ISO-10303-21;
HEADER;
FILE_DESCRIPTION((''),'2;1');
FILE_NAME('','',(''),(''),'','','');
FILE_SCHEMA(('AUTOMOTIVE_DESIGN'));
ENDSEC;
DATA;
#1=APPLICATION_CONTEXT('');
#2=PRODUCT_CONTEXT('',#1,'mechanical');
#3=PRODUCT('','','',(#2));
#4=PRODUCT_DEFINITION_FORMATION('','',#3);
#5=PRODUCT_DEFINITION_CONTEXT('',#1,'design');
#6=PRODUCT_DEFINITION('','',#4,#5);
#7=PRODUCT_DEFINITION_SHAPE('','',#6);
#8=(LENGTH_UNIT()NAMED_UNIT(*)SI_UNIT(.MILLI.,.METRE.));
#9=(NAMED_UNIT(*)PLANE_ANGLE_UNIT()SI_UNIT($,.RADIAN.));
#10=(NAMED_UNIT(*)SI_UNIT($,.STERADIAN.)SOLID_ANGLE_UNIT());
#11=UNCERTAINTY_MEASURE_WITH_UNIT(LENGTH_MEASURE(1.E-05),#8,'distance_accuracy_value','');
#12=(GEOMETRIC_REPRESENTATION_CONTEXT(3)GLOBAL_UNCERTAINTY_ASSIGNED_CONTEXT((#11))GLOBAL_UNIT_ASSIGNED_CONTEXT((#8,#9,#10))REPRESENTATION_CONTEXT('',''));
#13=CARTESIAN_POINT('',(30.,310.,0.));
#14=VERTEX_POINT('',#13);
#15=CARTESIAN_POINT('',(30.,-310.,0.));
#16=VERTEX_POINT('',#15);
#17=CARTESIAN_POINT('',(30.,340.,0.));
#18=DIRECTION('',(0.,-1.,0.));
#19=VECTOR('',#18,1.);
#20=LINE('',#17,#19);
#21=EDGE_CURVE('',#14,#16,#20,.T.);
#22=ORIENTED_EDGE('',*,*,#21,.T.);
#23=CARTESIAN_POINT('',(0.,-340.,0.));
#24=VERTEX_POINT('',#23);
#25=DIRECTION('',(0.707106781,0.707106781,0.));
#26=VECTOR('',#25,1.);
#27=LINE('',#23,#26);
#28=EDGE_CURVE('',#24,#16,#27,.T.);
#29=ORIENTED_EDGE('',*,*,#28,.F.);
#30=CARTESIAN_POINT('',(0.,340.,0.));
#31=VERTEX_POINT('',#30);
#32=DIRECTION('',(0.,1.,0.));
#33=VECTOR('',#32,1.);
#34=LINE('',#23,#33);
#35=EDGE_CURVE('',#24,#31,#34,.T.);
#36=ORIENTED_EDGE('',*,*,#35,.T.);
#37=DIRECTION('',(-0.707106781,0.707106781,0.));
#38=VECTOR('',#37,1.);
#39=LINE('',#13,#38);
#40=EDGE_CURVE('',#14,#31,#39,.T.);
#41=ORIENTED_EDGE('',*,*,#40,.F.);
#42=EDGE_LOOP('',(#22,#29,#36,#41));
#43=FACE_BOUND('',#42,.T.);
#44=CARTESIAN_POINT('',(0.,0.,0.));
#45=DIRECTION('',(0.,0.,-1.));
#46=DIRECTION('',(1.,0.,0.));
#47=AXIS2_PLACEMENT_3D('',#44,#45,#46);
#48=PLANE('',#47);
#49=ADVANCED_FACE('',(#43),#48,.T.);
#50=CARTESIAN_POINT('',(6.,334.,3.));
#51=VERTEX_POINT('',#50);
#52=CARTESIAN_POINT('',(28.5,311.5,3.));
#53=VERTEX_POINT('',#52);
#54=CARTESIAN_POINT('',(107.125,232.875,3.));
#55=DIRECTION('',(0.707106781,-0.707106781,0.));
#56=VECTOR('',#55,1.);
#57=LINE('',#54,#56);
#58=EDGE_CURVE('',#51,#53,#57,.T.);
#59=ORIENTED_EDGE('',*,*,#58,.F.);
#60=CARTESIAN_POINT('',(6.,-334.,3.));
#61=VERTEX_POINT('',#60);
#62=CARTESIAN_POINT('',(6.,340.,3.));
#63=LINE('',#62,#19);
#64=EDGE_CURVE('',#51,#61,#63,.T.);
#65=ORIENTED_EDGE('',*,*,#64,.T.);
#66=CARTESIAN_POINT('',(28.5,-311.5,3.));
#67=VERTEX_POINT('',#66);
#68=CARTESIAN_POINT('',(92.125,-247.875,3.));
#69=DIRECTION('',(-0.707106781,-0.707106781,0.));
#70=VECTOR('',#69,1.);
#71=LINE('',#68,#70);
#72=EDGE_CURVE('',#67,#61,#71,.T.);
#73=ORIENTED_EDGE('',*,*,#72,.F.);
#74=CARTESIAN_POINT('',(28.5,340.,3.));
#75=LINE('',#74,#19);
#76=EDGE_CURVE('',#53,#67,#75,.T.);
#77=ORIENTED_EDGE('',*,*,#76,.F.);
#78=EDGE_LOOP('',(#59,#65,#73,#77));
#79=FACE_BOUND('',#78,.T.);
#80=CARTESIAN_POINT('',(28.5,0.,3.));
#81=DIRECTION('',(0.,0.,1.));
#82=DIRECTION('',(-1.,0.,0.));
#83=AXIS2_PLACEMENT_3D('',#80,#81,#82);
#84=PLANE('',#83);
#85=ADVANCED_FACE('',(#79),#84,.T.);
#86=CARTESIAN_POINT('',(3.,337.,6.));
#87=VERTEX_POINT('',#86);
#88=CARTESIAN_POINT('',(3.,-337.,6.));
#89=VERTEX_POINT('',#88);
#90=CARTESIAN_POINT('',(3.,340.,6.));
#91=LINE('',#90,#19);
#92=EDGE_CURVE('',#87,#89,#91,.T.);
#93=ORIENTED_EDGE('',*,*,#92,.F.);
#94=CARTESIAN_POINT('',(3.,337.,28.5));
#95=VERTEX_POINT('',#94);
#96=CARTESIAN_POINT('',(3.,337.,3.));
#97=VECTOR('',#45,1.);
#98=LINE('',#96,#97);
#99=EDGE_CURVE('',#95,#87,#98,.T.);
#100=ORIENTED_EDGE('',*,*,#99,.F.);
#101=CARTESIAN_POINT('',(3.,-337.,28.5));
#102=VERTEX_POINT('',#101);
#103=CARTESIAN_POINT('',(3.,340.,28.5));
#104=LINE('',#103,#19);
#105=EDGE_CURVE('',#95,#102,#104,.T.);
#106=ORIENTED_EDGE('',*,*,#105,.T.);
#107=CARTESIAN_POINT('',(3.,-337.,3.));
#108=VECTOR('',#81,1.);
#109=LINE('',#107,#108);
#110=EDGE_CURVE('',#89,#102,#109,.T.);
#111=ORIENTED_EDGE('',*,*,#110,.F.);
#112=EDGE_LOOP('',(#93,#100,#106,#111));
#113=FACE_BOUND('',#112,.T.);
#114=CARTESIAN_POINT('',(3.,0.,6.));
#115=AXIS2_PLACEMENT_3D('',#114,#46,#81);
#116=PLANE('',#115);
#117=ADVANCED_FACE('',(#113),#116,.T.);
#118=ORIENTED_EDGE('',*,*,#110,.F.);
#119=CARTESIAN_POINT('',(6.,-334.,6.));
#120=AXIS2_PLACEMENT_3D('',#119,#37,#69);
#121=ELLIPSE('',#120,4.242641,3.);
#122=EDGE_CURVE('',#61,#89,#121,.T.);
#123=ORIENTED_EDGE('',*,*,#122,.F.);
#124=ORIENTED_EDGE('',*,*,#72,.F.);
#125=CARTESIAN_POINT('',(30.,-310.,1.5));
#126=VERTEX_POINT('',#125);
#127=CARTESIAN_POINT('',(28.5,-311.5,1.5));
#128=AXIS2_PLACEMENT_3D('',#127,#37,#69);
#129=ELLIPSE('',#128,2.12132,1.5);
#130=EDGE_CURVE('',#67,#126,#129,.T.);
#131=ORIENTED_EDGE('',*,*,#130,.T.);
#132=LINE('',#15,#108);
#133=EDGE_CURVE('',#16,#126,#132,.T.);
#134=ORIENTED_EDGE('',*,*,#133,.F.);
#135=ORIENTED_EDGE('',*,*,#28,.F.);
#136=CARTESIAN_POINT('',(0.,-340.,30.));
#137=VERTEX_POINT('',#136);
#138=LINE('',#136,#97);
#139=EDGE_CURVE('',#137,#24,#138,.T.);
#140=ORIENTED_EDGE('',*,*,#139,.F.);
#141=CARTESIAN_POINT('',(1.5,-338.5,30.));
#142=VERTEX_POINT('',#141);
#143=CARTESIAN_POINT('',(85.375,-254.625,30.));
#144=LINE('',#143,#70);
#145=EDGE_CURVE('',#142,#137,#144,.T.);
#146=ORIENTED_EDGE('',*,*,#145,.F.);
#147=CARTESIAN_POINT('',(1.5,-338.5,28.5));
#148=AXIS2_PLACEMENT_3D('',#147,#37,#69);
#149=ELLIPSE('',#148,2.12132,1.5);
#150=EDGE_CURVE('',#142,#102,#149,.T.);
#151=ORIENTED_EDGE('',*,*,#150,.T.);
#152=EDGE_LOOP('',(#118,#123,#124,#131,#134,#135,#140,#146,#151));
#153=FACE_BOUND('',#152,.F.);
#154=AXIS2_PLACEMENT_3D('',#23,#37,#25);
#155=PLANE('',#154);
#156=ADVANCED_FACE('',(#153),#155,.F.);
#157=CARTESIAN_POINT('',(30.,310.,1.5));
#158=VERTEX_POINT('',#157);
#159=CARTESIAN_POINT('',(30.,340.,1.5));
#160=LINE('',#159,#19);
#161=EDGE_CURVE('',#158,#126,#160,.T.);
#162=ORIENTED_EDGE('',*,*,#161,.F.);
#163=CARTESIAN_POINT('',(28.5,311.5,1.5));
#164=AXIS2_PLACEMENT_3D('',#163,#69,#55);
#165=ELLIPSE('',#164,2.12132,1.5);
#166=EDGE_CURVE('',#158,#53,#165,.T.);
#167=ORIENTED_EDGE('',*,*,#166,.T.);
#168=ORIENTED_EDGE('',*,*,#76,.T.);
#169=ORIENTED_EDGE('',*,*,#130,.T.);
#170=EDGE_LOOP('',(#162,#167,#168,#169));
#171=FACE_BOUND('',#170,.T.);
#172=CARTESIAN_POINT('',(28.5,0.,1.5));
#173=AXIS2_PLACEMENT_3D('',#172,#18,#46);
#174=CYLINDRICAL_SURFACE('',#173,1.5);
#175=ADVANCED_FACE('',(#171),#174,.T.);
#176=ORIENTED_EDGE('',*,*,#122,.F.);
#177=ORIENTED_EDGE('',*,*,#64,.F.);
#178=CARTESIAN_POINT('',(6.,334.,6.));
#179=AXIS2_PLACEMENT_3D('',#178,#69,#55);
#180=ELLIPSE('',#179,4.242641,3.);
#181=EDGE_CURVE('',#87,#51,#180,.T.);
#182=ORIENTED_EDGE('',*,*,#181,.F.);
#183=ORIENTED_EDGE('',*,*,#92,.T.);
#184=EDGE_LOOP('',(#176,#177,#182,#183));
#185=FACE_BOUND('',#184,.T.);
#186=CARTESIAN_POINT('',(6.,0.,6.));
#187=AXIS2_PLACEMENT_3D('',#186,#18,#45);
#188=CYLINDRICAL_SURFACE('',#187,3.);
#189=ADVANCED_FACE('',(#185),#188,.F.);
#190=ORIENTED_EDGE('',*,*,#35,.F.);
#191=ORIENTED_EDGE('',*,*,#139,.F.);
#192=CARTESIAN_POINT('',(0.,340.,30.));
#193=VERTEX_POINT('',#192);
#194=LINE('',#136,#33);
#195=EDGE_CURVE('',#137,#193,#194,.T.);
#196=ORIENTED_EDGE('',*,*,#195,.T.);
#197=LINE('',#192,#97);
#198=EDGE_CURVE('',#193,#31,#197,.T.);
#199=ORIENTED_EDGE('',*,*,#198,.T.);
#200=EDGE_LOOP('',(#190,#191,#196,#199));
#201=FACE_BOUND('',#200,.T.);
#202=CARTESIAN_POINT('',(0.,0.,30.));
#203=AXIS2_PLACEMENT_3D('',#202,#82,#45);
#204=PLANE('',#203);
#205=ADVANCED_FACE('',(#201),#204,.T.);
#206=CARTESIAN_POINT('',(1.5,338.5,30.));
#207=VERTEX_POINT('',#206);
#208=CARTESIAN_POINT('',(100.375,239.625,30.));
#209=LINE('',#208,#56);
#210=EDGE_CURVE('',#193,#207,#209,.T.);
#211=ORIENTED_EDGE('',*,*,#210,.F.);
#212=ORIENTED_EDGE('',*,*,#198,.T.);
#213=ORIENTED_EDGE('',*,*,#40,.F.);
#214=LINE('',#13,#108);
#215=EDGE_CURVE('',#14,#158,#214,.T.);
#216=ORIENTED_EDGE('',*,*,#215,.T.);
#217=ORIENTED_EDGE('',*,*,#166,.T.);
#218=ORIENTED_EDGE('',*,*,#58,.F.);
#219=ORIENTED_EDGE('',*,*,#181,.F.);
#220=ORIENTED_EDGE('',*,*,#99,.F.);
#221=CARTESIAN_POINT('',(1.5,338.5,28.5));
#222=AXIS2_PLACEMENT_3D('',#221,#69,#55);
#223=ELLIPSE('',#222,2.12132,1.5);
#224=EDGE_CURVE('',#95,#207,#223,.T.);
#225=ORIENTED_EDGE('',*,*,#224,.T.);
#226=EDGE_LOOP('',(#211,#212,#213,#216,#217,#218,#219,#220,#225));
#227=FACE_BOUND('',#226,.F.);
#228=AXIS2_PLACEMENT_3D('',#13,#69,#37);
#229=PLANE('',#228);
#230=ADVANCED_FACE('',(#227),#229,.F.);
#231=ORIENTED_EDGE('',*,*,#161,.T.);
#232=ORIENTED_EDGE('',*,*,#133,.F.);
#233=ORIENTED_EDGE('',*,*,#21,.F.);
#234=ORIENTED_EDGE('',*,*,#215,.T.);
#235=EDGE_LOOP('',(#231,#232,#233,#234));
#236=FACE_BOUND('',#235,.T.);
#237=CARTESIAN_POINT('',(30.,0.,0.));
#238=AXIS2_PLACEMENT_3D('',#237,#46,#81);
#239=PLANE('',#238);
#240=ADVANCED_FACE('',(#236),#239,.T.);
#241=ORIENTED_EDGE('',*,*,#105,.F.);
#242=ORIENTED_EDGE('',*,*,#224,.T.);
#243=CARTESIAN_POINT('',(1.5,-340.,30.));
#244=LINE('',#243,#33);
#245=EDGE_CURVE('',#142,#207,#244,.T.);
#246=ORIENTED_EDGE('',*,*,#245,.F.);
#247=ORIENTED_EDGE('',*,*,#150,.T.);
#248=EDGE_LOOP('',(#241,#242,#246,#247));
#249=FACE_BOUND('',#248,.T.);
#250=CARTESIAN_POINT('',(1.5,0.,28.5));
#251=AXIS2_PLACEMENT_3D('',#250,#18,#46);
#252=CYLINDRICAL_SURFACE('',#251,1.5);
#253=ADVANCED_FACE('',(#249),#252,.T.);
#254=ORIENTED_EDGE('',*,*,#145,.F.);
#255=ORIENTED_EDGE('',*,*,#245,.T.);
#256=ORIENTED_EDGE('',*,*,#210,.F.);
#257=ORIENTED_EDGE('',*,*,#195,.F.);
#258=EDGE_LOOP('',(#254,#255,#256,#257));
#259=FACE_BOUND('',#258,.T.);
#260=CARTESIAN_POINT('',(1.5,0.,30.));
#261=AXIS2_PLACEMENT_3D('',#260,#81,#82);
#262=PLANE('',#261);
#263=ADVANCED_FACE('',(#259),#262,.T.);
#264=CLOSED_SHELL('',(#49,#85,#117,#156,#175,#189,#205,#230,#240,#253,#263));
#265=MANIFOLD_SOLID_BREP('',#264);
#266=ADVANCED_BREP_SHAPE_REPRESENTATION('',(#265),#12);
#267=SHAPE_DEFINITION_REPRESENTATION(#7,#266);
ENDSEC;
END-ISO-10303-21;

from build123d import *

# Parameters (mm, degrees)
F1_DEPTH = 340
F3_DEPTH = 30.001


with BuildPart() as f1:
    # F0 (on Front) → F1 (new body, symmetric)
    with BuildSketch(Plane.XZ):
        with BuildLine():
            Line((0, 3), (0, 0))
            Line((0, 0), (3, 0))
            Line((3, 0), (30, 0))
            Line((30, 0), (30, 1.5))
            ThreePointArc((30, 1.5), (29.5606601718, 2.5606601718), (28.5, 3))
            Line((28.5, 3), (6, 3))
            ThreePointArc((6, 3), (3.8786796564, 3.8786796564), (3, 6))
            Line((3, 6), (3, 28.5))
            ThreePointArc((3, 28.5), (2.5606601718, 29.5606601718), (1.5, 30))
            Line((1.5, 30), (0, 30))
            Line((0, 30), (0, 3))
        make_face()
    extrude(amount=F1_DEPTH, both=True)

    # F2 (on face) → F3 (cut, through all)
    with BuildSketch(Plane(origin=(0, 0, 0), x_dir=(1, 0, 0), z_dir=(0, 0, -1))):
        Polygon((30, -310), (0, -340), (30, -340), align=None)
        Polygon((30, 340), (0, 340), (30, 310), align=None)
    extrude(amount=-F3_DEPTH, mode=Mode.SUBTRACT)


solid = f1.part
